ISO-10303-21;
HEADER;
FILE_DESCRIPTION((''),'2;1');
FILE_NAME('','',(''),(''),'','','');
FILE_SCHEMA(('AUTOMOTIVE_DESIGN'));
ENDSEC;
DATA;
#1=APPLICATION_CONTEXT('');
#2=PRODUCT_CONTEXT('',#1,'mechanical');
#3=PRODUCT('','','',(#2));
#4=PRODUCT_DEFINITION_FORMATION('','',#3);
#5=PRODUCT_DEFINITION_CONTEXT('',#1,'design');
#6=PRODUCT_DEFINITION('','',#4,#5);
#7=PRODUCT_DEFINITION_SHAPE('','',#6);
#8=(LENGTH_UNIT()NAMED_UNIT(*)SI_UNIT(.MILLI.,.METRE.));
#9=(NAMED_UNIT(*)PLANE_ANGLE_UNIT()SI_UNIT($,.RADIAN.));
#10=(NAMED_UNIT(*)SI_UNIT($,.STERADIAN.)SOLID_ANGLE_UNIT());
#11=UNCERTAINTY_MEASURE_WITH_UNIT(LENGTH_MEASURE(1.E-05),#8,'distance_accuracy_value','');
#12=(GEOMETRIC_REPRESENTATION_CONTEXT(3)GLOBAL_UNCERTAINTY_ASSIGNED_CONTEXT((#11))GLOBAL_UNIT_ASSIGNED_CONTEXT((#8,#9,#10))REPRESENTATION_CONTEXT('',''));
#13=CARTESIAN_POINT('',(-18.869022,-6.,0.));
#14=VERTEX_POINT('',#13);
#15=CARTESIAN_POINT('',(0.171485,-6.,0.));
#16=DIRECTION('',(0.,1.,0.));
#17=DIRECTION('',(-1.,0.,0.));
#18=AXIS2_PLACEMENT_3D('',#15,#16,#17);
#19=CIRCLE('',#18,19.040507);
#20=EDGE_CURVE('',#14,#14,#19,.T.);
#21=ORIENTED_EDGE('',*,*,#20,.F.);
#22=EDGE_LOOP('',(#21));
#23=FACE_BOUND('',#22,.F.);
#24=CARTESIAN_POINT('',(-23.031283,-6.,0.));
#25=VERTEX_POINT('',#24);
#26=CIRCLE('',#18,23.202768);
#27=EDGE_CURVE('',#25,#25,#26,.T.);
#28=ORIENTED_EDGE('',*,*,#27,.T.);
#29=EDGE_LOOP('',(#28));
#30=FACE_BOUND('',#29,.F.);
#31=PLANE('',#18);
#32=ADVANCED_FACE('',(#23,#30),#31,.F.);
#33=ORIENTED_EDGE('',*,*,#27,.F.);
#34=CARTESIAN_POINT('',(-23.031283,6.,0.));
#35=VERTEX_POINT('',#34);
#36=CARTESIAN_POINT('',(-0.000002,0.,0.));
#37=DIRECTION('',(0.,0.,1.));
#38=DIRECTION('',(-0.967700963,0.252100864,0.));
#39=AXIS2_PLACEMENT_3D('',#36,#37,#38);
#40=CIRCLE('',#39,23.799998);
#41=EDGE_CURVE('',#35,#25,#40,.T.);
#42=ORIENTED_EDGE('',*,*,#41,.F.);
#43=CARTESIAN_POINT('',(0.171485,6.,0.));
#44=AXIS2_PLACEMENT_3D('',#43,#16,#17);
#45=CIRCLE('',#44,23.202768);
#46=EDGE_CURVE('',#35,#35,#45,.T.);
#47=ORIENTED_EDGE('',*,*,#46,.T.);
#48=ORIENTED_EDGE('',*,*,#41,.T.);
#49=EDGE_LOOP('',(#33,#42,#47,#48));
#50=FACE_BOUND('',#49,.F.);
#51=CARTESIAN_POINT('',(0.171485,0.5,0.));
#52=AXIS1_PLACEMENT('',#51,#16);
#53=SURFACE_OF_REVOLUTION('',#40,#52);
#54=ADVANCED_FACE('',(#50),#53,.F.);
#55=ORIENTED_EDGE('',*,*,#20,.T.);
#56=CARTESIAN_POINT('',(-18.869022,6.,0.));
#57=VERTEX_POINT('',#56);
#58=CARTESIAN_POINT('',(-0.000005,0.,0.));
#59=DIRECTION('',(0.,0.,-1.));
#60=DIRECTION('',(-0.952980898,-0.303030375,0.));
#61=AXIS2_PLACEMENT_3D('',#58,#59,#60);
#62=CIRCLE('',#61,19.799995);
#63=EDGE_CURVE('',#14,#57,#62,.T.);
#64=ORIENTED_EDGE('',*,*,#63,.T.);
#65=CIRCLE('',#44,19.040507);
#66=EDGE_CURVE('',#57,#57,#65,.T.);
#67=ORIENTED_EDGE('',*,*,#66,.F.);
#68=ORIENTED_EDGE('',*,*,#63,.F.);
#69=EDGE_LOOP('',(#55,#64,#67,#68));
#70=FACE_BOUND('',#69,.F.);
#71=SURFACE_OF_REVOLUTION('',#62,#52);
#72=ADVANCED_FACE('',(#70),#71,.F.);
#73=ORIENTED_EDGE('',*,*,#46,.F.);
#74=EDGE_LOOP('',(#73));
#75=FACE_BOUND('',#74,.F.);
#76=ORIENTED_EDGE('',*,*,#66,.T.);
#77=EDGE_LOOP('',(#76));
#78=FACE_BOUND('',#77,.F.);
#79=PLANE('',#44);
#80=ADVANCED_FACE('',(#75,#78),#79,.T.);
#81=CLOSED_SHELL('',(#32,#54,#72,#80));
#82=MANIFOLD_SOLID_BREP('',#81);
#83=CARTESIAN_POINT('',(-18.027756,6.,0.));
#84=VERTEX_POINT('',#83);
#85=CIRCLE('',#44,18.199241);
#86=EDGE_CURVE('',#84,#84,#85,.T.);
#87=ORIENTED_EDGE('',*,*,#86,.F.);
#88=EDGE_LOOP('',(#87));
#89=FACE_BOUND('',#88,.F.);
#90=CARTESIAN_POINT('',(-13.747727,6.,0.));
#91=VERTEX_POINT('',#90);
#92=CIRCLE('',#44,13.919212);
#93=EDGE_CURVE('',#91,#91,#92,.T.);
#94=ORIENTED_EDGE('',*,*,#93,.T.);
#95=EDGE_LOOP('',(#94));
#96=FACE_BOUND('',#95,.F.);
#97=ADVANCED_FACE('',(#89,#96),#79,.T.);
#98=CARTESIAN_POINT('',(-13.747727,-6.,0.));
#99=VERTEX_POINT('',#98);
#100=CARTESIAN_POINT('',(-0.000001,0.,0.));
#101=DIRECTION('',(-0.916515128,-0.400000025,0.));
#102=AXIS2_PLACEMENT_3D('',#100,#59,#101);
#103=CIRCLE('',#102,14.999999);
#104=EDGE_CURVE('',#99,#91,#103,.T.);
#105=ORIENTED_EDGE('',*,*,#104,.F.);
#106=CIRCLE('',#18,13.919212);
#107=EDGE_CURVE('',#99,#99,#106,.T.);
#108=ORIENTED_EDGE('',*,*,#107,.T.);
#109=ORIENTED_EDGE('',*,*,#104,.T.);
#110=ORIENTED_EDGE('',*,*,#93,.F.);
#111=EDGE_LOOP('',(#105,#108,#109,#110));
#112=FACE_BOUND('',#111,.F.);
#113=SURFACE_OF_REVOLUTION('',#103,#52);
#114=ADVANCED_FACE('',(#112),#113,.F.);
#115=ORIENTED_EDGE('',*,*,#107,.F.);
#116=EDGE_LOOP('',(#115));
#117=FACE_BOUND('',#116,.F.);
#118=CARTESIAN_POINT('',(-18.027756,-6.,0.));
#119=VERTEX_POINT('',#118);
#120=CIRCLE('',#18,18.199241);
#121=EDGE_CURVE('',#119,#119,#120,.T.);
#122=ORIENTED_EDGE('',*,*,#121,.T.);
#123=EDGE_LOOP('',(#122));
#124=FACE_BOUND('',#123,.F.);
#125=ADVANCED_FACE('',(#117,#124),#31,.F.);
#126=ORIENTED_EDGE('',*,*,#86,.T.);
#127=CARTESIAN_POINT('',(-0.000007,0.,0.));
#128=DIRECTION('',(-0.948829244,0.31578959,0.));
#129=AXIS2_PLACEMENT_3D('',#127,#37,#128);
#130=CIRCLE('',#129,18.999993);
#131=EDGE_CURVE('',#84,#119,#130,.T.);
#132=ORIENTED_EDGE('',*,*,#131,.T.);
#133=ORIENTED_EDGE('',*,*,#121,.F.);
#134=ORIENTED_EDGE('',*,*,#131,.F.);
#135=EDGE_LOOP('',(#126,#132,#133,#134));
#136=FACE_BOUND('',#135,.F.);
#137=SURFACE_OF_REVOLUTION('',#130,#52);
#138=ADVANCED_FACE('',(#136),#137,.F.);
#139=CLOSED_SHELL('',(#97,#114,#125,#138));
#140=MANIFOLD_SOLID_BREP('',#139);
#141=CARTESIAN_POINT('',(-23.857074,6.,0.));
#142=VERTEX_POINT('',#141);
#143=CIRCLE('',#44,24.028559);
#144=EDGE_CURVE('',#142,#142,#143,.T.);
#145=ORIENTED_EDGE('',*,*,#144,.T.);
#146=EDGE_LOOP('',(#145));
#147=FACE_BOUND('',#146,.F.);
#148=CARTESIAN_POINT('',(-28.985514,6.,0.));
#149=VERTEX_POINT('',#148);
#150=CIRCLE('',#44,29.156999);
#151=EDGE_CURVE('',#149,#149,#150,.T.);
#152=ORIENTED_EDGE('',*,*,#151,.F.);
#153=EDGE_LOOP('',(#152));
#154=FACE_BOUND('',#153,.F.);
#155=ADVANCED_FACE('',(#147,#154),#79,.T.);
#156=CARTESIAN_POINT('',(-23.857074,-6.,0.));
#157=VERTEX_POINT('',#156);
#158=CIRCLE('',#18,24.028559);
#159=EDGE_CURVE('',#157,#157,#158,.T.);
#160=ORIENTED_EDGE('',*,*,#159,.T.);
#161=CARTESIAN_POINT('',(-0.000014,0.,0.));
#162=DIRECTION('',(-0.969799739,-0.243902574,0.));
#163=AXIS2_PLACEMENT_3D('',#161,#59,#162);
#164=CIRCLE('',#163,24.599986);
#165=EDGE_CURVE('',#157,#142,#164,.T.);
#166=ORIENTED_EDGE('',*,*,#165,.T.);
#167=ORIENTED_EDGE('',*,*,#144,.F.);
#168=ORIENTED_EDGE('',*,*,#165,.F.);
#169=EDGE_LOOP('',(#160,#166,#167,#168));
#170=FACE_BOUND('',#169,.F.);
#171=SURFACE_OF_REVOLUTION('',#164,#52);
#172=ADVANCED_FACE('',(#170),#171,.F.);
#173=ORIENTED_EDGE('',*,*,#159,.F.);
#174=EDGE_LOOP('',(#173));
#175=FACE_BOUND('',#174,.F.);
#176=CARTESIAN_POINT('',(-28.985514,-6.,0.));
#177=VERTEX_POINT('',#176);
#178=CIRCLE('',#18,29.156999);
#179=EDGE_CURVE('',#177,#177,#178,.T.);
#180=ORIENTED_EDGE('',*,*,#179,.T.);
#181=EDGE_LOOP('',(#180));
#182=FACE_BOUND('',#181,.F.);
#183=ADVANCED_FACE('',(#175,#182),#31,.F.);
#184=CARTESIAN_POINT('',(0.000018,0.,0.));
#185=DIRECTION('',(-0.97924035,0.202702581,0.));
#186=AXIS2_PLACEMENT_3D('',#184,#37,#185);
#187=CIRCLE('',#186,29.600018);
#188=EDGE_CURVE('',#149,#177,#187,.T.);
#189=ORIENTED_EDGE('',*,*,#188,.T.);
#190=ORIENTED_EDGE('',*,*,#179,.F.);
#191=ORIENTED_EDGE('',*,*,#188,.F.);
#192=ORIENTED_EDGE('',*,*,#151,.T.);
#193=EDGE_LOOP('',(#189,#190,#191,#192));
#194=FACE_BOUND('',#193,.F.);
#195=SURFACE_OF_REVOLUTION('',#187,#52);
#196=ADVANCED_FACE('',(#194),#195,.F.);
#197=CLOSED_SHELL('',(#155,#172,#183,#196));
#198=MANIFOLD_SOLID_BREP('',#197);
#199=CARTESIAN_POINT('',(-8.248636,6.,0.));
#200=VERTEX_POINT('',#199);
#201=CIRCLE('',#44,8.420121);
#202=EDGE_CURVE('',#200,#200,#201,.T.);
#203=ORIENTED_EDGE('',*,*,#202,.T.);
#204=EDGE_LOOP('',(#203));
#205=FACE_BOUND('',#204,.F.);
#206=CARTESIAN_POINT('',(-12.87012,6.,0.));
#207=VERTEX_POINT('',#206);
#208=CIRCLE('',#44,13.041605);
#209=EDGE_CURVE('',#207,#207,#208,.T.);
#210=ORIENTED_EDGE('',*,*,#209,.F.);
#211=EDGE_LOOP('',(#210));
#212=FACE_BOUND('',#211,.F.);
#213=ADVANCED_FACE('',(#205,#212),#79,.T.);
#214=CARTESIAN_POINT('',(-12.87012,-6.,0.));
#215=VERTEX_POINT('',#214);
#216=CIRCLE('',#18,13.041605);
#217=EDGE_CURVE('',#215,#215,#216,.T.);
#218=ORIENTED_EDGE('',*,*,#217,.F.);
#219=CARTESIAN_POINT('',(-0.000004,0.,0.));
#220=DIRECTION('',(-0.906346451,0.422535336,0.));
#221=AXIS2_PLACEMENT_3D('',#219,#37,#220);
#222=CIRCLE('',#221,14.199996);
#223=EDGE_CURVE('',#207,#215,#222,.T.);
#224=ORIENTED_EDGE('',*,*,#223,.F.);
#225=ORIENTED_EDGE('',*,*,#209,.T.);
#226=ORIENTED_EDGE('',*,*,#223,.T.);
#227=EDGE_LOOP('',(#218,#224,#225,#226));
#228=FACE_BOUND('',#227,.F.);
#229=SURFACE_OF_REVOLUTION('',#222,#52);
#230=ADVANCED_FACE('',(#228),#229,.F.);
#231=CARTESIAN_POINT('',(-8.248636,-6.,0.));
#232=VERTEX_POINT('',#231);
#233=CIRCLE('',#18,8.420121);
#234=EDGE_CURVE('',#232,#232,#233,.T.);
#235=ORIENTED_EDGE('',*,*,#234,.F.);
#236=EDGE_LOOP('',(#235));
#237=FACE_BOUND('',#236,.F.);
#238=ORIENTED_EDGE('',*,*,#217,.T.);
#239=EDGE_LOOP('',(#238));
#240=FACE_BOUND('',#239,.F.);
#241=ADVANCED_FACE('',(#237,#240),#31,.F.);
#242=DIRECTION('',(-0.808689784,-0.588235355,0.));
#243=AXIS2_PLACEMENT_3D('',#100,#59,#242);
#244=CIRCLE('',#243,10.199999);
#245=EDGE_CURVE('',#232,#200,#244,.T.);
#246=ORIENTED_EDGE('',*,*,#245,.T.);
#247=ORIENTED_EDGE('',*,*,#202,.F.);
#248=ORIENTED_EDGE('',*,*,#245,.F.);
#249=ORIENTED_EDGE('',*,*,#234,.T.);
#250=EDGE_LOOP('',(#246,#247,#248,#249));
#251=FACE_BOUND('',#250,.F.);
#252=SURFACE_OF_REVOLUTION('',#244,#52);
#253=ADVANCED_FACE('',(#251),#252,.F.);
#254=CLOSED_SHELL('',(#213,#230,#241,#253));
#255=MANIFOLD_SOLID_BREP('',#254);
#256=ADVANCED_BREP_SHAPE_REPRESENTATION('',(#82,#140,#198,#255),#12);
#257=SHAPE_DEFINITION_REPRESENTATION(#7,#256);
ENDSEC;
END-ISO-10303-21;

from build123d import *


with BuildPart() as f1:
    # F0 (on Top) → F1 (revolve)
    with BuildSketch(Plane.XY):
        with BuildLine():
            ThreePointArc((-23.857074, -6), (-24.6, 0), (-23.857074, 6))
            Line((-23.857074, 6), (-28.985514, 6))
            ThreePointArc((-28.985514, 6), (-29.6, 0), (-28.985514, -6))
            Line((-28.985514, -6), (-23.857074, -6))
        make_face()
        with BuildLine():
            ThreePointArc((-18.869022, -6), (-19.8, 0), (-18.869022, 6))
            Line((-18.869022, 6), (-23.031283, 6))
            ThreePointArc((-23.031283, 6), (-23.8, 0), (-23.031283, -6))
            Line((-23.031283, -6), (-18.869022, -6))
        make_face()
        with BuildLine():
            ThreePointArc((-13.747727, -6), (-15, 0), (-13.747727, 6))
            Line((-13.747727, 6), (-18.027756, 6))
            ThreePointArc((-18.027756, 6), (-19, 0), (-18.027756, -6))
            Line((-18.027756, -6), (-13.747727, -6))
        make_face()
        with BuildLine():
            Line((-8.248636, 6), (-12.87012, 6))
            ThreePointArc((-12.87012, 6), (-14.2, 0), (-12.87012, -6))
            Line((-12.87012, -6), (-8.248636, -6))
            ThreePointArc((-8.248636, -6), (-10.2, 0), (-8.248636, 6))
        make_face()
    revolve(axis=Axis((0.171485, 0.5, 0), (0, 1, 0)))


solid = f1.part
